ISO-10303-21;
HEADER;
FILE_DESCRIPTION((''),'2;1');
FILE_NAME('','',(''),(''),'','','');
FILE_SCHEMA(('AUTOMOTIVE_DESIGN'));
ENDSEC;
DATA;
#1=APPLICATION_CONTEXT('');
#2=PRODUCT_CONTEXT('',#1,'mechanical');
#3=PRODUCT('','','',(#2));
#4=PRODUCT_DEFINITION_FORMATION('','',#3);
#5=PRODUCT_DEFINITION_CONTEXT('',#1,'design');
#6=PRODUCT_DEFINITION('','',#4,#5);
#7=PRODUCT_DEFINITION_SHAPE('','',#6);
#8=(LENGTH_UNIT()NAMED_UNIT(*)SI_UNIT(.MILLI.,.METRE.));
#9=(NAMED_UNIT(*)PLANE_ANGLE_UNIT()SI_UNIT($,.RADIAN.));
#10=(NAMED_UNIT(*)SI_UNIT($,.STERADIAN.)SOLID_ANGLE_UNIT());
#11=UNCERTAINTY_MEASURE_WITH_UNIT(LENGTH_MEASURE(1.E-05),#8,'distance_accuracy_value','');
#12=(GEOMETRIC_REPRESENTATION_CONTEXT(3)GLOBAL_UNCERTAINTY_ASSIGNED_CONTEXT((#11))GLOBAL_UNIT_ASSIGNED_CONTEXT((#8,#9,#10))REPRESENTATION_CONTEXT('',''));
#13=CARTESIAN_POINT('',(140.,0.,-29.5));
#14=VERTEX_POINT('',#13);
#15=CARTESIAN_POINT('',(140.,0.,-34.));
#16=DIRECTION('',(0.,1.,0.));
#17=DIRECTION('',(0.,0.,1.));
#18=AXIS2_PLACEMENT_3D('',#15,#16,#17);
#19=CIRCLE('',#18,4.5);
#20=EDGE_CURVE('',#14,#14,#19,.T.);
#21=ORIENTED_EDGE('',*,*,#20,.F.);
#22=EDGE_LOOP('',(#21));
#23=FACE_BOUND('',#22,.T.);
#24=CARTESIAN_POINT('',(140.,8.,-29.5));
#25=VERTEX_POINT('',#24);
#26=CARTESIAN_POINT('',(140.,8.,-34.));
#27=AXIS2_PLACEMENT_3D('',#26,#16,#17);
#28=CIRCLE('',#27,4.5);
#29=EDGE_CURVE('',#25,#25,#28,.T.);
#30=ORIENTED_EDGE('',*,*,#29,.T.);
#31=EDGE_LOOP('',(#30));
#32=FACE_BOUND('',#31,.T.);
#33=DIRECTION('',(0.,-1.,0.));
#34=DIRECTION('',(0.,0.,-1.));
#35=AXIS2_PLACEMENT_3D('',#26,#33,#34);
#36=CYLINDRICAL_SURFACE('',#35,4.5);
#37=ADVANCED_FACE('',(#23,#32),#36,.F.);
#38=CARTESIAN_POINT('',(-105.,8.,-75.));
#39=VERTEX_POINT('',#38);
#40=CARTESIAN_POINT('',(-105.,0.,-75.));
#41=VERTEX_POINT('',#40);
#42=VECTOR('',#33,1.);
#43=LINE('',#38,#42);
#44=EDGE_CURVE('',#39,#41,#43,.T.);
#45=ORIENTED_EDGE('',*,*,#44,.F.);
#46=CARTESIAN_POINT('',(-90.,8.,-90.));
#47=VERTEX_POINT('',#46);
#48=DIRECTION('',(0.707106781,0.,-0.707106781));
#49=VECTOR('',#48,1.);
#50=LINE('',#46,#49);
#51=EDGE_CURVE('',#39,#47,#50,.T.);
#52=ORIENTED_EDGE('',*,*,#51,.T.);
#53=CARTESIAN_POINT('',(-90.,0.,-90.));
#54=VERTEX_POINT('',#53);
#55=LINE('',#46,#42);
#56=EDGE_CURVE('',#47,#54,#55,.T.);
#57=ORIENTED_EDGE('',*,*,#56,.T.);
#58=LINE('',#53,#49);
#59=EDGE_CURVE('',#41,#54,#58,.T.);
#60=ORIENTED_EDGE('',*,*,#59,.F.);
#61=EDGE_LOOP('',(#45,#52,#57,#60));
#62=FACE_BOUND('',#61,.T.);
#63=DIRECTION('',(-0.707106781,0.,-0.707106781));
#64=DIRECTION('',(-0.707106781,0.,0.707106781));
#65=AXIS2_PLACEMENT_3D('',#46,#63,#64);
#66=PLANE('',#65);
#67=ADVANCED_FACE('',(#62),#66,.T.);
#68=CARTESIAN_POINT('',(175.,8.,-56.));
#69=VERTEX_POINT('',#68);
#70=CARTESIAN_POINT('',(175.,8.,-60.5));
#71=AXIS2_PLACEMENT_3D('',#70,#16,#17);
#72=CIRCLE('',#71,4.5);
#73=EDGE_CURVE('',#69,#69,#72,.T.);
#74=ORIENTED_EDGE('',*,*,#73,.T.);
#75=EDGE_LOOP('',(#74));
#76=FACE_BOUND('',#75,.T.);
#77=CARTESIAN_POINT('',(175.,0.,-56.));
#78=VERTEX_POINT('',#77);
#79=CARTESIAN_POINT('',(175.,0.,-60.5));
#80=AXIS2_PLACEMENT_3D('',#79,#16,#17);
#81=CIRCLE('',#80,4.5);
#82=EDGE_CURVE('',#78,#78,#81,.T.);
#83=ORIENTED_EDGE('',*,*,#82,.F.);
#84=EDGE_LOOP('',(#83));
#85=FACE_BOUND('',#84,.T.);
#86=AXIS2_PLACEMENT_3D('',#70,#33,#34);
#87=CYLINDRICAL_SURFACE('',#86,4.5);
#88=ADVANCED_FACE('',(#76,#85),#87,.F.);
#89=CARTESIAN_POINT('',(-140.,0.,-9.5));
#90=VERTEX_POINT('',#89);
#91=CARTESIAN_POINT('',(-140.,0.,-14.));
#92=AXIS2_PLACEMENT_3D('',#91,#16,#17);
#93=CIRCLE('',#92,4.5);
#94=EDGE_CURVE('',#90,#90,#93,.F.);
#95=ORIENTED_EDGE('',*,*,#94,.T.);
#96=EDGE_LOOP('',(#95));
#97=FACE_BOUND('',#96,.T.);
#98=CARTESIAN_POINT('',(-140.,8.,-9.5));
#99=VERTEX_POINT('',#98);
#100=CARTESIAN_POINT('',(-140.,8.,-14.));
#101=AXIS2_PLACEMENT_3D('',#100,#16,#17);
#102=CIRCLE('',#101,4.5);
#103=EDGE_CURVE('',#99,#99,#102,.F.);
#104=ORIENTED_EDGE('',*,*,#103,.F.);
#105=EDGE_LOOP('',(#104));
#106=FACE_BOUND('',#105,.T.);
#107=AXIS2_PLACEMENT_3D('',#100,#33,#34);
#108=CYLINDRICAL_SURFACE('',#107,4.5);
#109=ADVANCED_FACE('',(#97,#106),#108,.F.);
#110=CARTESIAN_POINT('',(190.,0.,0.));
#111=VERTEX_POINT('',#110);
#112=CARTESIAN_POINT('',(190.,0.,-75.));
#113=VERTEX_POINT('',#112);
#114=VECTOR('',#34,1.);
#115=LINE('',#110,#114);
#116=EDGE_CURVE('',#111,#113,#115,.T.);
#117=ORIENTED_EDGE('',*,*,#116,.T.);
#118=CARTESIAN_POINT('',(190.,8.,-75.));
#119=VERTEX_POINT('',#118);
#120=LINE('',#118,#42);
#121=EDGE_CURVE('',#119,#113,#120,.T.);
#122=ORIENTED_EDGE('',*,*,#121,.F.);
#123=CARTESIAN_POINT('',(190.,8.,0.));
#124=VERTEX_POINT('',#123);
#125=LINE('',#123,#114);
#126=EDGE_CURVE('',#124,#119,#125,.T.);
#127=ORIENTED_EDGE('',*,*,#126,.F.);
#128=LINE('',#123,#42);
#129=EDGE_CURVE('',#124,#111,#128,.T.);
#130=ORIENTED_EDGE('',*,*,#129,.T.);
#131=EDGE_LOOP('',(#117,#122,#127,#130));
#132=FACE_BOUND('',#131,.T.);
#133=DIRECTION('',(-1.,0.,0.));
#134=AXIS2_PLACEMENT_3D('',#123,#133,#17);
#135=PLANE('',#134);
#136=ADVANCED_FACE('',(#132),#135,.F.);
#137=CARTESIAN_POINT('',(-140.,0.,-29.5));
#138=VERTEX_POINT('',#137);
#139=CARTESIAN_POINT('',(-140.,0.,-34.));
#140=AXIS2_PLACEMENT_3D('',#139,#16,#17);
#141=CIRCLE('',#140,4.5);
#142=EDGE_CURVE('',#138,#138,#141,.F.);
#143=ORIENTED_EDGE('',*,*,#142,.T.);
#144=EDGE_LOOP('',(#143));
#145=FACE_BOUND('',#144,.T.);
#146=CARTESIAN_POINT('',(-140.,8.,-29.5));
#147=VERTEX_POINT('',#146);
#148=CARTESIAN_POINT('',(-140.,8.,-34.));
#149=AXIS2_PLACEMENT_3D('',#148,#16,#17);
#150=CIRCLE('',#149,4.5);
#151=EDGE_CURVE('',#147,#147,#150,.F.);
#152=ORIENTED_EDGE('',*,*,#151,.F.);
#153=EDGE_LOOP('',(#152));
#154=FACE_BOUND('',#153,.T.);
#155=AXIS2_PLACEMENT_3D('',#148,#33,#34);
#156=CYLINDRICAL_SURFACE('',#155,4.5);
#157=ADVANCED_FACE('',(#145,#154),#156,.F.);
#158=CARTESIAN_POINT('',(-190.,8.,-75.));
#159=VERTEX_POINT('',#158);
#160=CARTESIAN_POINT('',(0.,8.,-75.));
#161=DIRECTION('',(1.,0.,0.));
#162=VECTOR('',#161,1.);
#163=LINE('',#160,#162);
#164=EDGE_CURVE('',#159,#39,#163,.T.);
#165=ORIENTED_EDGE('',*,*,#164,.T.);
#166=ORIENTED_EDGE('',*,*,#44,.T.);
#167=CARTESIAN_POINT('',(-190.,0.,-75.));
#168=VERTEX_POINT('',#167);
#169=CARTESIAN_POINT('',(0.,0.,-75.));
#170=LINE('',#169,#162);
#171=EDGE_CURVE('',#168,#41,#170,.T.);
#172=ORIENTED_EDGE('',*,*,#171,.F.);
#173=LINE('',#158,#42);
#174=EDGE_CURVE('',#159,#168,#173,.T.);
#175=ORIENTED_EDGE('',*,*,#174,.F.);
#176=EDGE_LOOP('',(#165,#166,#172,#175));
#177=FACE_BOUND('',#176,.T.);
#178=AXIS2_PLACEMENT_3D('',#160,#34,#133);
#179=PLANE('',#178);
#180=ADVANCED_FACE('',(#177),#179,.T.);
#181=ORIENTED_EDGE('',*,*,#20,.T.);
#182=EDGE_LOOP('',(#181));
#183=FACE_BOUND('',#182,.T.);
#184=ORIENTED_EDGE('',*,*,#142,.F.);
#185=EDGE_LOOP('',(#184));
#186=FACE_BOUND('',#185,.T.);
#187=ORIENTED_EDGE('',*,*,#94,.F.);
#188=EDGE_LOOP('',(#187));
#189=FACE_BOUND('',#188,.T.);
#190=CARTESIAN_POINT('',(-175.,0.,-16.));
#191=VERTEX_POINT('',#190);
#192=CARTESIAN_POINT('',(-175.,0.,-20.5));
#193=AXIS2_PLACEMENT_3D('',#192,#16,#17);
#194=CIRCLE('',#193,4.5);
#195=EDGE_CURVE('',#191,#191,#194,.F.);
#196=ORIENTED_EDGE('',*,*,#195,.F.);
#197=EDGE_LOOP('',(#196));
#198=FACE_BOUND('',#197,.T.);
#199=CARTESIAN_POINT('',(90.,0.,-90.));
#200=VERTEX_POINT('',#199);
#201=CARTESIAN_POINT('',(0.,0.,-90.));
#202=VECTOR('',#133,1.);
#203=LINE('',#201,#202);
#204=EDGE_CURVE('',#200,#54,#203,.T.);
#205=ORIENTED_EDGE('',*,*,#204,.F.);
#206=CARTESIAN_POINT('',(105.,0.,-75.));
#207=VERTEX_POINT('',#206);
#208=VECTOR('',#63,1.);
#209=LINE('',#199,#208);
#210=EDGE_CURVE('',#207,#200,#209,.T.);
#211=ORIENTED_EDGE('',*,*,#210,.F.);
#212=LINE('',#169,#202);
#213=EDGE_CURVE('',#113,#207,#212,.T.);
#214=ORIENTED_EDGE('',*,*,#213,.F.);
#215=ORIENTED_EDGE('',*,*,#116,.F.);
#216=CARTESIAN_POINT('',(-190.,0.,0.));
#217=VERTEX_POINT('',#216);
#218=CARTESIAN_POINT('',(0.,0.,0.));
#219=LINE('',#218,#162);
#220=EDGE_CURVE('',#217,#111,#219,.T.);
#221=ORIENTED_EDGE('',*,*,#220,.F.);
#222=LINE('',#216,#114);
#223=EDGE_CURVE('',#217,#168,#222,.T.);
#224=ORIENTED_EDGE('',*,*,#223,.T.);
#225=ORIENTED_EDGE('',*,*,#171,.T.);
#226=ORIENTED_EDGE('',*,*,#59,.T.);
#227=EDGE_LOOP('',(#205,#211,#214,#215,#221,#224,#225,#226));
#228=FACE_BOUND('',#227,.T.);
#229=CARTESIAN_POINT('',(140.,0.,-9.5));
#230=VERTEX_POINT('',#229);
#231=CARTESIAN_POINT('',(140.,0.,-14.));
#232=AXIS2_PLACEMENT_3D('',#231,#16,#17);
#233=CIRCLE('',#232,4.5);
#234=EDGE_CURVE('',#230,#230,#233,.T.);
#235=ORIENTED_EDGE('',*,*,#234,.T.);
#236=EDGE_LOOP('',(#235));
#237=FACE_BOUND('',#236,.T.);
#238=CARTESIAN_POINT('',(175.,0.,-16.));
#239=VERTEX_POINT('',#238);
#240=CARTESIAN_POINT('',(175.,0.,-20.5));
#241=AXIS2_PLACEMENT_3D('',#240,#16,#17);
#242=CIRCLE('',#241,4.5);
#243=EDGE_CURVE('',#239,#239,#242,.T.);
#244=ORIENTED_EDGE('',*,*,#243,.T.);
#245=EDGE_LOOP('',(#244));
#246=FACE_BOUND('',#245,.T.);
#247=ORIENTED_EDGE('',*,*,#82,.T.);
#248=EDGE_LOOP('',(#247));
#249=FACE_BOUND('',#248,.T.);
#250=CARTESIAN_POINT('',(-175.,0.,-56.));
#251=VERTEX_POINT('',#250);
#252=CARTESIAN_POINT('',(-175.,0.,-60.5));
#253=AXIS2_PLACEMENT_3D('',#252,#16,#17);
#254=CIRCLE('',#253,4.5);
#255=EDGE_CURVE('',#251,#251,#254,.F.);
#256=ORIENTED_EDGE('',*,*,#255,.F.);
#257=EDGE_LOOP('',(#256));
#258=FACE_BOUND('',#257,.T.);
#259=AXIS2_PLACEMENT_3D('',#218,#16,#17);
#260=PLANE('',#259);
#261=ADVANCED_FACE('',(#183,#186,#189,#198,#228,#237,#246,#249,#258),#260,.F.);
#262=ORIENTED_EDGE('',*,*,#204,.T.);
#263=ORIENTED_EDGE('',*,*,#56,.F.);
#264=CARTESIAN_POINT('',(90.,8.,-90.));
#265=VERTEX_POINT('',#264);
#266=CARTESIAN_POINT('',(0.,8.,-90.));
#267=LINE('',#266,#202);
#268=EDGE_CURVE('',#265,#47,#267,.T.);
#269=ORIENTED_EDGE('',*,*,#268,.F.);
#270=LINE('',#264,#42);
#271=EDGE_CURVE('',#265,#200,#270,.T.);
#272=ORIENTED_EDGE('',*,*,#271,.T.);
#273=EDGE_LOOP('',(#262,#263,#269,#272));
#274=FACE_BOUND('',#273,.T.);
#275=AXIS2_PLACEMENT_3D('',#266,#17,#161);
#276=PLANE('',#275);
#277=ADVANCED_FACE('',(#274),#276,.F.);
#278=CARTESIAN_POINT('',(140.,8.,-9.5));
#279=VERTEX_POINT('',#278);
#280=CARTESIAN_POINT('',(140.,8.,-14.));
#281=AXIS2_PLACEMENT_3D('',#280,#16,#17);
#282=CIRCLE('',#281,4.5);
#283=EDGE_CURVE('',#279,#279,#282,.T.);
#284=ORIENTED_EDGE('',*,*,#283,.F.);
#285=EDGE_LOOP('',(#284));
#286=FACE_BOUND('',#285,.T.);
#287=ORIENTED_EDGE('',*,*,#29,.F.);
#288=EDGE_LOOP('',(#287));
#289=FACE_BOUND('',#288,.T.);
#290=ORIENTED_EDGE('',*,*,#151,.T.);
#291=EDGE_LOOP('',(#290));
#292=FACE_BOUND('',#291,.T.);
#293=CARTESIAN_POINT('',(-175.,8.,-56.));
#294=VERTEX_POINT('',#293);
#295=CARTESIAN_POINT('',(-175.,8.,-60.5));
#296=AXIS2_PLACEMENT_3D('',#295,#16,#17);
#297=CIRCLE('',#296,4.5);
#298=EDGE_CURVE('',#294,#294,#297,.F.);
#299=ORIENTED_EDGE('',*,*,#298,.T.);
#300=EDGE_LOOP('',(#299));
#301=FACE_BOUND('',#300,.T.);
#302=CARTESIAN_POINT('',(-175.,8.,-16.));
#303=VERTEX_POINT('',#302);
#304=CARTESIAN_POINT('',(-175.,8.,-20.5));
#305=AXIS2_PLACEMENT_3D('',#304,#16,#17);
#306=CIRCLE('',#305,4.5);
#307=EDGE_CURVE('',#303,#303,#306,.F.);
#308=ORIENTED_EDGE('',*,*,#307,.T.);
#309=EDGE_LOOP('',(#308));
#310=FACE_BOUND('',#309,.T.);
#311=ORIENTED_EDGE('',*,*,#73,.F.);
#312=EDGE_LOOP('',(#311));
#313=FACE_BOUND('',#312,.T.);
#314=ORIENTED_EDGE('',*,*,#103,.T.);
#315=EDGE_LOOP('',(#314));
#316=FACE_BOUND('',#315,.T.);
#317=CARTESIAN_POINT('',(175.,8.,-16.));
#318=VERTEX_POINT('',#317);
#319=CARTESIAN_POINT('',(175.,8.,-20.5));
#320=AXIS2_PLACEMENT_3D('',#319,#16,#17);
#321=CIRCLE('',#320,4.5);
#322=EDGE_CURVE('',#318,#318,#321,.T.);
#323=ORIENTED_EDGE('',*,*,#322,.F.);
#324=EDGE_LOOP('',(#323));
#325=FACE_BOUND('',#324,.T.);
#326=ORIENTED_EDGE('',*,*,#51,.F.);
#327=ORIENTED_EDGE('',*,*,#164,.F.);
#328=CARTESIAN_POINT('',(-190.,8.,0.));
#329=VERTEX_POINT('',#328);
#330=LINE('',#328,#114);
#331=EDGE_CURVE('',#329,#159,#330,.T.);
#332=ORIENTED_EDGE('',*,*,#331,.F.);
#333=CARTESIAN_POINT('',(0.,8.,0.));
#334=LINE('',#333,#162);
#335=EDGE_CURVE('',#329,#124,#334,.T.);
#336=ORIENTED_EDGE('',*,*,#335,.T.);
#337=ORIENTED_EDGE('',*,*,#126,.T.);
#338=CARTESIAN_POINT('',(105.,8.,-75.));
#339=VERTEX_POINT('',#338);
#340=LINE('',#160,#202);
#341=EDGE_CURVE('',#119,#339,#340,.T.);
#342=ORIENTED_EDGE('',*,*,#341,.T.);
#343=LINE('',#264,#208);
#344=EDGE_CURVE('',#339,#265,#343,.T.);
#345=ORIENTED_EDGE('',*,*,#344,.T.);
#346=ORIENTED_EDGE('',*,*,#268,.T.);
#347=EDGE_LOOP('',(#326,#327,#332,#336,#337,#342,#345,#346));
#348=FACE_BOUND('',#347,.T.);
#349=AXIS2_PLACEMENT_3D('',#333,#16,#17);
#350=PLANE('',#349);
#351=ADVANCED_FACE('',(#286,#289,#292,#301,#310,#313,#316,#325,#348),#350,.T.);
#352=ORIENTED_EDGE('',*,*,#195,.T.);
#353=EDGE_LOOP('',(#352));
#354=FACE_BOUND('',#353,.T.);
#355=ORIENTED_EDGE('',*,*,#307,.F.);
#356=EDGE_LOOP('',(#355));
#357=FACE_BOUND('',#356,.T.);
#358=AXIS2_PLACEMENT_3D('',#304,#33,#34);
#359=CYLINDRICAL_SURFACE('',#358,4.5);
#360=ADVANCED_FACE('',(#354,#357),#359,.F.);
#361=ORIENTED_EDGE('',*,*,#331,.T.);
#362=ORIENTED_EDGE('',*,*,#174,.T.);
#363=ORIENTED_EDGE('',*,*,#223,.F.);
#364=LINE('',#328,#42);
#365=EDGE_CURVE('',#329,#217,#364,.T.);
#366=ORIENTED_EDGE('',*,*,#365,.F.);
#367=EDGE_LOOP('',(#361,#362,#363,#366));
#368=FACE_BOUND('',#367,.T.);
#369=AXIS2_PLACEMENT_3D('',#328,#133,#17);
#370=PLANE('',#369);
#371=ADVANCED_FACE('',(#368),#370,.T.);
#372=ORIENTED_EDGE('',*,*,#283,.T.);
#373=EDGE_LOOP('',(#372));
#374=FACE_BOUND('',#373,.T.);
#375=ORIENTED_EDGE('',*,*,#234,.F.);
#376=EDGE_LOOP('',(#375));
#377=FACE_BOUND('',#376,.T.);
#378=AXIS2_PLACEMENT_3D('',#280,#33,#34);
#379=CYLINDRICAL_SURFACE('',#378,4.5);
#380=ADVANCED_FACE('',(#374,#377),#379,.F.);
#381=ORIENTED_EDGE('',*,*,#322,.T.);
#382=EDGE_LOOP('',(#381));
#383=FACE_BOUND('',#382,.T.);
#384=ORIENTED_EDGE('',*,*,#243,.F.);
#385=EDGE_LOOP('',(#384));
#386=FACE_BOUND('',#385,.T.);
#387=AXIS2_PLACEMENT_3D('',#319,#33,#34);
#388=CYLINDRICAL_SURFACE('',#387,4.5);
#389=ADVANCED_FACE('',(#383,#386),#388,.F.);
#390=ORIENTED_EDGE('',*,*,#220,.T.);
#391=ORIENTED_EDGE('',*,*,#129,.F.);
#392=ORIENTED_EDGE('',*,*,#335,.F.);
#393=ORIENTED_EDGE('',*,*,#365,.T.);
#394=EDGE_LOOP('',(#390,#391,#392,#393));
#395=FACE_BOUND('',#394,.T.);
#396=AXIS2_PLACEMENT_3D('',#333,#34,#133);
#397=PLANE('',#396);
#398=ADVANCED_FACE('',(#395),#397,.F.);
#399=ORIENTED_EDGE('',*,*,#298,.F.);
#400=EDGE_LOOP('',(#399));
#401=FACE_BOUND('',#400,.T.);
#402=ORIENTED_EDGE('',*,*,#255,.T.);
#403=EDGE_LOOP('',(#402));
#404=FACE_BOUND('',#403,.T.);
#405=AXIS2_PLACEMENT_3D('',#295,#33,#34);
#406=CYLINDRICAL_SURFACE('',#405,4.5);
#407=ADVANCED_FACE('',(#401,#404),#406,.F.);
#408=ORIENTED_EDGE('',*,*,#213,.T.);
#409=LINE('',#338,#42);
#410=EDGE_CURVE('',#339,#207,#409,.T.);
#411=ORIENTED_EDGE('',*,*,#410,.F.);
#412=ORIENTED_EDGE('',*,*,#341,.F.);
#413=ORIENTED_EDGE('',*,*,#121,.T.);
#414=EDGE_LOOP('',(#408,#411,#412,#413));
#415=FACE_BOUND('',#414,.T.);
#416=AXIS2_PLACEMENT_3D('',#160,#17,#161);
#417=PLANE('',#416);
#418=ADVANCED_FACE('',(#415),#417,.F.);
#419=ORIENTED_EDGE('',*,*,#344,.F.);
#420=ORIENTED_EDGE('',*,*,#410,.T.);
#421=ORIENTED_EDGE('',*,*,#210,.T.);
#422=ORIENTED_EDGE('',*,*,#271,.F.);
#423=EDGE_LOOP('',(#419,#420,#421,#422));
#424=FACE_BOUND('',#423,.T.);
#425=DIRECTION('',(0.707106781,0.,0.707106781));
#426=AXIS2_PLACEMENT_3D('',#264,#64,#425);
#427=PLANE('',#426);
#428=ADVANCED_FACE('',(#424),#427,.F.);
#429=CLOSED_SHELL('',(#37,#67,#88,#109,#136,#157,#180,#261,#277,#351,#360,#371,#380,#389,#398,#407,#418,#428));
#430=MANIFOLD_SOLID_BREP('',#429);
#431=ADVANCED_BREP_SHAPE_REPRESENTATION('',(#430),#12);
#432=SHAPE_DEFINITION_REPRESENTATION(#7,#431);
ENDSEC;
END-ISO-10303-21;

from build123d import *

# Parameters (mm, degrees)
ESQUISSE1_R        = 4.5
BOSS_EXTRU_1_DEPTH = 8


with BuildPart() as part:
    # Esquisse1 → Boss.-Extru.1 (new body)
    # profile 1 of 2: a face of its own
    with BuildSketch(Plane(origin=(0, 0, 0), x_dir=(1, 0, 0), z_dir=(0, 1, 0))):
        Polygon((-190, 75), (-190, 0), (0, 0), (0, 90), (-90, 90), (-105, 75), align=None)
        with Locations(Location((-175, 20.5, 0), (0, 0, 270))):
            Circle(ESQUISSE1_R, mode=Mode.SUBTRACT)
        with Locations(Location((-140, 14, 0), (0, 0, 270))):
            Circle(ESQUISSE1_R, mode=Mode.SUBTRACT)
        with Locations(Location((-140, 34, 0), (0, 0, 270))):
            Circle(ESQUISSE1_R, mode=Mode.SUBTRACT)
        with Locations(Location((-175, 60.5, 0), (0, 0, 270))):
            Circle(ESQUISSE1_R, mode=Mode.SUBTRACT)
    # profile 2 of 2: a face of its own
    with BuildSketch(Plane(origin=(0, 0, 0), x_dir=(1, 0, 0), z_dir=(0, 1, 0))):
        Polygon((0, 90), (0, 0), (190, 0), (190, 75), (105, 75), (90, 90), align=None)
        with Locations(Location((140, 14, 0), (0, 0, 270))):
            Circle(ESQUISSE1_R, mode=Mode.SUBTRACT)
        with Locations(Location((175, 20.5, 0), (0, 0, 270))):
            Circle(ESQUISSE1_R, mode=Mode.SUBTRACT)
        with Locations(Location((140, 34, 0), (0, 0, 270))):
            Circle(ESQUISSE1_R, mode=Mode.SUBTRACT)
        with Locations(Location((175, 60.5, 0), (0, 0, 270))):
            Circle(ESQUISSE1_R, mode=Mode.SUBTRACT)
    extrude(amount=BOSS_EXTRU_1_DEPTH)


solid = part.part
